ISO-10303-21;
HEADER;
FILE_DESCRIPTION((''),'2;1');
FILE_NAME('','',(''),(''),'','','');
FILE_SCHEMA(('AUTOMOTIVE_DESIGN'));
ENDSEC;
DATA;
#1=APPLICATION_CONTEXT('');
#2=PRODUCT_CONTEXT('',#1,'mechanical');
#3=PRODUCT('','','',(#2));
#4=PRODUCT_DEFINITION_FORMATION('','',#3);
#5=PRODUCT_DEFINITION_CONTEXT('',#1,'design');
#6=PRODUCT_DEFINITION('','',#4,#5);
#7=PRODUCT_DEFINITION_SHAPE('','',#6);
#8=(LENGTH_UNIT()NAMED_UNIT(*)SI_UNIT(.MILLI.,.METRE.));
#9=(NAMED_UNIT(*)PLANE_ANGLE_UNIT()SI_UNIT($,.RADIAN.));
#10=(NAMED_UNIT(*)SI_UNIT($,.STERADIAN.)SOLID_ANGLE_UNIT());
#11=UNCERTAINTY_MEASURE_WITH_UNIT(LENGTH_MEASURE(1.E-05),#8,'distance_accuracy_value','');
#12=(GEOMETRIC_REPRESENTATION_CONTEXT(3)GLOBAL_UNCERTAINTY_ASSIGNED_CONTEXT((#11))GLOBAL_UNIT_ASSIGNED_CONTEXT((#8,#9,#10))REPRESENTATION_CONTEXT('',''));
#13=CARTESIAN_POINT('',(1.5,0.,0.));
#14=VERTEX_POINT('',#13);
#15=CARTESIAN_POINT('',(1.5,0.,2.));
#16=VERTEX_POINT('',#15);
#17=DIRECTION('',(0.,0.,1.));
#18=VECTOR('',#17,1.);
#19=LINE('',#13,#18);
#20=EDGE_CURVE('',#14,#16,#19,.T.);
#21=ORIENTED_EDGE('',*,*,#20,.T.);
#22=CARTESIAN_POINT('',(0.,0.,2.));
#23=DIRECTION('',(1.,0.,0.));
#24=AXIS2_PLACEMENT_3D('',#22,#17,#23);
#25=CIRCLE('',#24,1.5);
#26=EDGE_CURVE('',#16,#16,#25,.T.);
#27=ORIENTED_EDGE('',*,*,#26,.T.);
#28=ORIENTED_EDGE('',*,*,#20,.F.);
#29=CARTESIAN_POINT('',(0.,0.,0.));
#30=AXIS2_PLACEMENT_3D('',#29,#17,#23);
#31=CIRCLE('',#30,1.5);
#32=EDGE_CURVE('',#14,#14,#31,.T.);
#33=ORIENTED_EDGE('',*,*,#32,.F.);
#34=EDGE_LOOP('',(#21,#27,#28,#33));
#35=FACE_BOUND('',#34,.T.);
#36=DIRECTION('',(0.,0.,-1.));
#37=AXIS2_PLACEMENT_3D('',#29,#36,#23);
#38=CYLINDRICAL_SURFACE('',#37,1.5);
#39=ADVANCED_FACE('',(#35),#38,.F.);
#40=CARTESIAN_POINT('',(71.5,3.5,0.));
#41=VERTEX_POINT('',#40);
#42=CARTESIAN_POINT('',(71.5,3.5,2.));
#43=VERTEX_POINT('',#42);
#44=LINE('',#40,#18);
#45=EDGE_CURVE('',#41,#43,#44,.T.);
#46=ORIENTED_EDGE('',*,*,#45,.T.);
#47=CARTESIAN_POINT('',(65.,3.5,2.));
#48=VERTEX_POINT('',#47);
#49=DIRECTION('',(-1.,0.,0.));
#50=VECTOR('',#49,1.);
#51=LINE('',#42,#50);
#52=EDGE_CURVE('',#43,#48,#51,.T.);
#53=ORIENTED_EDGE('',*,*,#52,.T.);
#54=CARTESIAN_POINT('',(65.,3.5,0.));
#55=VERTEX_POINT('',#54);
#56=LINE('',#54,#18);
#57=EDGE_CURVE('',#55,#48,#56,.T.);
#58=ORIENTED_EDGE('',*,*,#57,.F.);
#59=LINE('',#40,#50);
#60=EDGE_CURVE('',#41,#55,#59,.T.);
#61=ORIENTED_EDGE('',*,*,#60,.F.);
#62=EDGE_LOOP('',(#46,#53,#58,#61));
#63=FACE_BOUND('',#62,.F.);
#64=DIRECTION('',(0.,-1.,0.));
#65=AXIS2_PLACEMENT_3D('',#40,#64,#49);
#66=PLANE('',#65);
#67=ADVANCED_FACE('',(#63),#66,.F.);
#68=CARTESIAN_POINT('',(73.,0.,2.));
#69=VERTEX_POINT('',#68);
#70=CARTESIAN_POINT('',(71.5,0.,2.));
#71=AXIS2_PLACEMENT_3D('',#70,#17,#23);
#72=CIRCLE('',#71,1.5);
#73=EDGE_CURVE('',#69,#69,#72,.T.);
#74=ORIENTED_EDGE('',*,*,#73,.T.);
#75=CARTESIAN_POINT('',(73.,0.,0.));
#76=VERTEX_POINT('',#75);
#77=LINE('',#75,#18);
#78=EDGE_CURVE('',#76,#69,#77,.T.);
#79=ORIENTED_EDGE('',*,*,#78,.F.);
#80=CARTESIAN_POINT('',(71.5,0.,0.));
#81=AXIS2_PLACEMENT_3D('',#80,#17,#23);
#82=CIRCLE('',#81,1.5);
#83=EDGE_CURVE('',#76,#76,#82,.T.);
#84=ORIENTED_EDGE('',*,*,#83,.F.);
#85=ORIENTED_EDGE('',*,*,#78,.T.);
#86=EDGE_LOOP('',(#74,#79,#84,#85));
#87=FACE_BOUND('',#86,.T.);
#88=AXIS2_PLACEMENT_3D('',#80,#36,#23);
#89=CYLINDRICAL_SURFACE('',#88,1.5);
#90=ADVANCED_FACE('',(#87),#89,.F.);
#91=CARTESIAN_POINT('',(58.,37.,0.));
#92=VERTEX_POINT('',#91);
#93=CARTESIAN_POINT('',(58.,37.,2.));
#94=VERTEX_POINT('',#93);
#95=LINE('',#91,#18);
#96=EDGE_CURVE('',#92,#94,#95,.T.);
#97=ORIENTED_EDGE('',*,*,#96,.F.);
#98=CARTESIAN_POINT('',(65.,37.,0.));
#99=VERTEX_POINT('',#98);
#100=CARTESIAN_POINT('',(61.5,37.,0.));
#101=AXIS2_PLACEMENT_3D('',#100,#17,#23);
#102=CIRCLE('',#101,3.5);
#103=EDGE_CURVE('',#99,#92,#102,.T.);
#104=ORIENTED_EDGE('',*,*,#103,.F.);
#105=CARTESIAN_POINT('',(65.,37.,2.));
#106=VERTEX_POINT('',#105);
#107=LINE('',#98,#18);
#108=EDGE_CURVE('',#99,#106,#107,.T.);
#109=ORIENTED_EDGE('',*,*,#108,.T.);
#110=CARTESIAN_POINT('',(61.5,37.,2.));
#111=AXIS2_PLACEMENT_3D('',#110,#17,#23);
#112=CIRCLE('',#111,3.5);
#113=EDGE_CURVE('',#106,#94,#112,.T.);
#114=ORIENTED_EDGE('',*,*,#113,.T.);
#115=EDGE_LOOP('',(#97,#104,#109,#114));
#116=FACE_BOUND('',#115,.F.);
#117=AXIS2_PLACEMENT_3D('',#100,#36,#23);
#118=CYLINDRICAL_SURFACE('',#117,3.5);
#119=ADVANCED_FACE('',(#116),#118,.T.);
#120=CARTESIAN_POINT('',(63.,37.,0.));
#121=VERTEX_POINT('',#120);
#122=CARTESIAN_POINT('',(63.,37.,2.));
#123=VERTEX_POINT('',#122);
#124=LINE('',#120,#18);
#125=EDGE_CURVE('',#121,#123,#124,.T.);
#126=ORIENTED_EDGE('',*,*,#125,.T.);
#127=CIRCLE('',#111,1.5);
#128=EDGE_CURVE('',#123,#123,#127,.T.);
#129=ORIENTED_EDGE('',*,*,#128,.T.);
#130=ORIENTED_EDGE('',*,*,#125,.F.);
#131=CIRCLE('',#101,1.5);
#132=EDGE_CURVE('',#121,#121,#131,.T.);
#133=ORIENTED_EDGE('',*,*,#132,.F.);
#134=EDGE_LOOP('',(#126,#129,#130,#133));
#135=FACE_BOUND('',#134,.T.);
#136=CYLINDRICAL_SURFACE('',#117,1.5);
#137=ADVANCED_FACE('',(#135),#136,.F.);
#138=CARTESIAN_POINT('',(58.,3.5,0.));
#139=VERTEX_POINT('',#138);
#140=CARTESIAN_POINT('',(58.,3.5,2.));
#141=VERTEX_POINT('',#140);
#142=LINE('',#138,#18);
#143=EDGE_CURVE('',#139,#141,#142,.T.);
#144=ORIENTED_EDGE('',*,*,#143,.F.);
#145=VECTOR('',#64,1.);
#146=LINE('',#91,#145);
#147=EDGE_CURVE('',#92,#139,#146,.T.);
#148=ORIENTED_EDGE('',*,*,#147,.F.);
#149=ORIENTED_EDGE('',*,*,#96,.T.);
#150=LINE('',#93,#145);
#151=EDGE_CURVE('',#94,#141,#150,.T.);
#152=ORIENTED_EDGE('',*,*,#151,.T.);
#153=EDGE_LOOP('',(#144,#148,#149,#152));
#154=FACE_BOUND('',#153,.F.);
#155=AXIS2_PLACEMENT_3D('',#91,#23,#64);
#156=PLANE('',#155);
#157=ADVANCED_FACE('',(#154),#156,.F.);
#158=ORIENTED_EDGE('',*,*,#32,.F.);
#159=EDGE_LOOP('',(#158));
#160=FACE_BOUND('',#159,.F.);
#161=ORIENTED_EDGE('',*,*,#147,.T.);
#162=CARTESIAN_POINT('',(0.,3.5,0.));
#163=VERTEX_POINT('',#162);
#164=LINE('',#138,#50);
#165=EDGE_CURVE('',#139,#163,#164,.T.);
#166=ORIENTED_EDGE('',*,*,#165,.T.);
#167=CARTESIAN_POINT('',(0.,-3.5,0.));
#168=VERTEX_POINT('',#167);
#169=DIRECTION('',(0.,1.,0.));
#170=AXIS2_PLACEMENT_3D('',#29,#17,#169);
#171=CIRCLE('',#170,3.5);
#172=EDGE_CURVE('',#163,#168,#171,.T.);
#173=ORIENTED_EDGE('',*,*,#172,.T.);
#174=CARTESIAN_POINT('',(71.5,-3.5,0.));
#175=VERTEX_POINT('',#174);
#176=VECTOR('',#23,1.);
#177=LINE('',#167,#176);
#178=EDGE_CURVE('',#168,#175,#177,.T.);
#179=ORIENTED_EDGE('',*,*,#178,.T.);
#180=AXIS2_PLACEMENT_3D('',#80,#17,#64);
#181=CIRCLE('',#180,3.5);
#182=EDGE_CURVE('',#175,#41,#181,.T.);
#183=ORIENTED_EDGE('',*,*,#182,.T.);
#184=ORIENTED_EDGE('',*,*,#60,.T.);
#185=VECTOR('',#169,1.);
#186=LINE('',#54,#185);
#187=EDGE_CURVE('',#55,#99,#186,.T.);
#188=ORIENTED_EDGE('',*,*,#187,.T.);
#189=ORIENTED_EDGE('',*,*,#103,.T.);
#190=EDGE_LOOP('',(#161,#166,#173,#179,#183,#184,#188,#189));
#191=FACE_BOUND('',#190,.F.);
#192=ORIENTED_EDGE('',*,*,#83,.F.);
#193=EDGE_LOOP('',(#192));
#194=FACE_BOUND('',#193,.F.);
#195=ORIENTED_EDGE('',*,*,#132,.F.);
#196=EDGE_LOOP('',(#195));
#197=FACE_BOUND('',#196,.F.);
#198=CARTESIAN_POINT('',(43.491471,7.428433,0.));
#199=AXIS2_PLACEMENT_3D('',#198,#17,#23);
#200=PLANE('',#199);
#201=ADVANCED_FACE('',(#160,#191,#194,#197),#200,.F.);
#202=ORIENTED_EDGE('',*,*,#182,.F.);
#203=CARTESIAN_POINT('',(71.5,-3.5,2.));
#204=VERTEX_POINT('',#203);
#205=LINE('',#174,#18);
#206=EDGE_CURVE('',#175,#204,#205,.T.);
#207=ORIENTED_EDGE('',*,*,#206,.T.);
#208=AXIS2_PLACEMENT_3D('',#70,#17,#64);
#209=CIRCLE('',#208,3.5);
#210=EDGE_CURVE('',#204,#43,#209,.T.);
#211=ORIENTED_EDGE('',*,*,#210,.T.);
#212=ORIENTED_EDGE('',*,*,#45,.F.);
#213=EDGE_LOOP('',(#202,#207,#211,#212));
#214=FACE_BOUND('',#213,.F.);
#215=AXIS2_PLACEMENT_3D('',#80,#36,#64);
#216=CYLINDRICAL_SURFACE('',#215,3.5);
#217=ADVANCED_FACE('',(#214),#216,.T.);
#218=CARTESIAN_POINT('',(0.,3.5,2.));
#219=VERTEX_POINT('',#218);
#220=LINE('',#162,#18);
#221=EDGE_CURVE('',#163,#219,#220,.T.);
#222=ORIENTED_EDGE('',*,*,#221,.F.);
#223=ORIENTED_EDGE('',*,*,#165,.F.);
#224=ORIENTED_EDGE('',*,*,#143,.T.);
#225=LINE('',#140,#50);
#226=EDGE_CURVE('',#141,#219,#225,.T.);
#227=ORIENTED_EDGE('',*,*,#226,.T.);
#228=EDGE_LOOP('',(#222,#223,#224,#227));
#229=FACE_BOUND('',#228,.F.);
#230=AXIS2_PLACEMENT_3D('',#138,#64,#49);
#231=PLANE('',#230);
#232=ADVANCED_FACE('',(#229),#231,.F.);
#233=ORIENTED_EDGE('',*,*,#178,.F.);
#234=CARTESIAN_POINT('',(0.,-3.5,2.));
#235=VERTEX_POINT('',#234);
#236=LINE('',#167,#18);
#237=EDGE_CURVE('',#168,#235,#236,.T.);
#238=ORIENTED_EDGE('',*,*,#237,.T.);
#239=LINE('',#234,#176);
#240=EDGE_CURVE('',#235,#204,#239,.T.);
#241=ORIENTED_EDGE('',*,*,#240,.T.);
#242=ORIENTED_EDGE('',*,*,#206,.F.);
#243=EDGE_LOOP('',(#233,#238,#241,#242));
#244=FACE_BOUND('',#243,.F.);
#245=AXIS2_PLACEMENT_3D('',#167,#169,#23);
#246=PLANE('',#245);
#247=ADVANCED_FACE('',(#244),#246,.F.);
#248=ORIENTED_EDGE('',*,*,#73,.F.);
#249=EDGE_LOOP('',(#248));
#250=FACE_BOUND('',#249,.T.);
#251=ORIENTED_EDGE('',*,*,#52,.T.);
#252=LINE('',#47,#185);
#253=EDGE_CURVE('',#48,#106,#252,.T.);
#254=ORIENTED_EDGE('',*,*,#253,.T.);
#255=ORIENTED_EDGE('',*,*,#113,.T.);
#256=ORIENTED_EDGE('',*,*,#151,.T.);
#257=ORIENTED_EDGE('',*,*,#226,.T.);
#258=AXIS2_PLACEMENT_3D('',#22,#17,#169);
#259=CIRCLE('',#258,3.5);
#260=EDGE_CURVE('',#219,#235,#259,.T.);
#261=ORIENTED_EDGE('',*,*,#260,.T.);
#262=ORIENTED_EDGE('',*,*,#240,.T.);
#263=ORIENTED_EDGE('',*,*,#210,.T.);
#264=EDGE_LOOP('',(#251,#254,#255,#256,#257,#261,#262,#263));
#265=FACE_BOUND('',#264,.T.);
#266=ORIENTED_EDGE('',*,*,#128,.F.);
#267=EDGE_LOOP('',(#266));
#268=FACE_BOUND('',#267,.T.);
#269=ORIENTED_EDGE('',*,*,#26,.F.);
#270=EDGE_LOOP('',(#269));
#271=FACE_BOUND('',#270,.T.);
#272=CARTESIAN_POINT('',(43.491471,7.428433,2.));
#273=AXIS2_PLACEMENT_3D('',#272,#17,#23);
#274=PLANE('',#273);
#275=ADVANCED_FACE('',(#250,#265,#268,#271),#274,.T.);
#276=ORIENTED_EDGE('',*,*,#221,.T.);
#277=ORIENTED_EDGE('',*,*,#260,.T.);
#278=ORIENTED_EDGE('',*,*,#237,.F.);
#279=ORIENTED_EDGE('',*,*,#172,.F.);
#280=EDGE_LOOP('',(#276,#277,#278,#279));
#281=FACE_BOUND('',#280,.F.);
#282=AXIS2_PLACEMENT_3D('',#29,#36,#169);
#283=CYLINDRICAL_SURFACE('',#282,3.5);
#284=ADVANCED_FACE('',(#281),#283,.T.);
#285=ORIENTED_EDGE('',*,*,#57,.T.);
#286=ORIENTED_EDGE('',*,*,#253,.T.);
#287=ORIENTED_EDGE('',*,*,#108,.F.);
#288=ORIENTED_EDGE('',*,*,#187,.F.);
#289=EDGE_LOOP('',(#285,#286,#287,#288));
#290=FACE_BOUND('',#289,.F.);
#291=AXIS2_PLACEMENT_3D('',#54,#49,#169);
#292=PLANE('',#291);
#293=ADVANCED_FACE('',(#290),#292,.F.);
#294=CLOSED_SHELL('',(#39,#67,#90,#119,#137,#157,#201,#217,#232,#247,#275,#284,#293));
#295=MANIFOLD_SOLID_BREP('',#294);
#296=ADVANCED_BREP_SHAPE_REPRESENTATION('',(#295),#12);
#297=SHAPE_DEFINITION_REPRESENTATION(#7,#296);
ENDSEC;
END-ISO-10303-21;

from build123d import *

# Parameters (mm, degrees)
F0_R     = 1.5
F1_DEPTH = 2


with BuildPart() as f1:
    # F0 (on Top) → F1 (new body)
    with BuildSketch(Plane.XY):
        with BuildLine():
            Line((65, 3.5), (65, 37))
            ThreePointArc((65, 37), (61.5, 40.5), (58, 37))
            Line((58, 37), (58, 3.5))
            Line((58, 3.5), (0, 3.5))
            ThreePointArc((0, 3.5), (-3.5, 0), (0, -3.5))
            Line((0, -3.5), (71.5, -3.5))
            ThreePointArc((71.5, -3.5), (75, 0), (71.5, 3.5))
            Line((71.5, 3.5), (65, 3.5))
        make_face()
        Circle(F0_R, mode=Mode.SUBTRACT)
        with Locations((71.5, 0)):
            Circle(F0_R, mode=Mode.SUBTRACT)
        with Locations((61.5, 37)):
            Circle(F0_R, mode=Mode.SUBTRACT)
    extrude(amount=F1_DEPTH)


solid = f1.part
